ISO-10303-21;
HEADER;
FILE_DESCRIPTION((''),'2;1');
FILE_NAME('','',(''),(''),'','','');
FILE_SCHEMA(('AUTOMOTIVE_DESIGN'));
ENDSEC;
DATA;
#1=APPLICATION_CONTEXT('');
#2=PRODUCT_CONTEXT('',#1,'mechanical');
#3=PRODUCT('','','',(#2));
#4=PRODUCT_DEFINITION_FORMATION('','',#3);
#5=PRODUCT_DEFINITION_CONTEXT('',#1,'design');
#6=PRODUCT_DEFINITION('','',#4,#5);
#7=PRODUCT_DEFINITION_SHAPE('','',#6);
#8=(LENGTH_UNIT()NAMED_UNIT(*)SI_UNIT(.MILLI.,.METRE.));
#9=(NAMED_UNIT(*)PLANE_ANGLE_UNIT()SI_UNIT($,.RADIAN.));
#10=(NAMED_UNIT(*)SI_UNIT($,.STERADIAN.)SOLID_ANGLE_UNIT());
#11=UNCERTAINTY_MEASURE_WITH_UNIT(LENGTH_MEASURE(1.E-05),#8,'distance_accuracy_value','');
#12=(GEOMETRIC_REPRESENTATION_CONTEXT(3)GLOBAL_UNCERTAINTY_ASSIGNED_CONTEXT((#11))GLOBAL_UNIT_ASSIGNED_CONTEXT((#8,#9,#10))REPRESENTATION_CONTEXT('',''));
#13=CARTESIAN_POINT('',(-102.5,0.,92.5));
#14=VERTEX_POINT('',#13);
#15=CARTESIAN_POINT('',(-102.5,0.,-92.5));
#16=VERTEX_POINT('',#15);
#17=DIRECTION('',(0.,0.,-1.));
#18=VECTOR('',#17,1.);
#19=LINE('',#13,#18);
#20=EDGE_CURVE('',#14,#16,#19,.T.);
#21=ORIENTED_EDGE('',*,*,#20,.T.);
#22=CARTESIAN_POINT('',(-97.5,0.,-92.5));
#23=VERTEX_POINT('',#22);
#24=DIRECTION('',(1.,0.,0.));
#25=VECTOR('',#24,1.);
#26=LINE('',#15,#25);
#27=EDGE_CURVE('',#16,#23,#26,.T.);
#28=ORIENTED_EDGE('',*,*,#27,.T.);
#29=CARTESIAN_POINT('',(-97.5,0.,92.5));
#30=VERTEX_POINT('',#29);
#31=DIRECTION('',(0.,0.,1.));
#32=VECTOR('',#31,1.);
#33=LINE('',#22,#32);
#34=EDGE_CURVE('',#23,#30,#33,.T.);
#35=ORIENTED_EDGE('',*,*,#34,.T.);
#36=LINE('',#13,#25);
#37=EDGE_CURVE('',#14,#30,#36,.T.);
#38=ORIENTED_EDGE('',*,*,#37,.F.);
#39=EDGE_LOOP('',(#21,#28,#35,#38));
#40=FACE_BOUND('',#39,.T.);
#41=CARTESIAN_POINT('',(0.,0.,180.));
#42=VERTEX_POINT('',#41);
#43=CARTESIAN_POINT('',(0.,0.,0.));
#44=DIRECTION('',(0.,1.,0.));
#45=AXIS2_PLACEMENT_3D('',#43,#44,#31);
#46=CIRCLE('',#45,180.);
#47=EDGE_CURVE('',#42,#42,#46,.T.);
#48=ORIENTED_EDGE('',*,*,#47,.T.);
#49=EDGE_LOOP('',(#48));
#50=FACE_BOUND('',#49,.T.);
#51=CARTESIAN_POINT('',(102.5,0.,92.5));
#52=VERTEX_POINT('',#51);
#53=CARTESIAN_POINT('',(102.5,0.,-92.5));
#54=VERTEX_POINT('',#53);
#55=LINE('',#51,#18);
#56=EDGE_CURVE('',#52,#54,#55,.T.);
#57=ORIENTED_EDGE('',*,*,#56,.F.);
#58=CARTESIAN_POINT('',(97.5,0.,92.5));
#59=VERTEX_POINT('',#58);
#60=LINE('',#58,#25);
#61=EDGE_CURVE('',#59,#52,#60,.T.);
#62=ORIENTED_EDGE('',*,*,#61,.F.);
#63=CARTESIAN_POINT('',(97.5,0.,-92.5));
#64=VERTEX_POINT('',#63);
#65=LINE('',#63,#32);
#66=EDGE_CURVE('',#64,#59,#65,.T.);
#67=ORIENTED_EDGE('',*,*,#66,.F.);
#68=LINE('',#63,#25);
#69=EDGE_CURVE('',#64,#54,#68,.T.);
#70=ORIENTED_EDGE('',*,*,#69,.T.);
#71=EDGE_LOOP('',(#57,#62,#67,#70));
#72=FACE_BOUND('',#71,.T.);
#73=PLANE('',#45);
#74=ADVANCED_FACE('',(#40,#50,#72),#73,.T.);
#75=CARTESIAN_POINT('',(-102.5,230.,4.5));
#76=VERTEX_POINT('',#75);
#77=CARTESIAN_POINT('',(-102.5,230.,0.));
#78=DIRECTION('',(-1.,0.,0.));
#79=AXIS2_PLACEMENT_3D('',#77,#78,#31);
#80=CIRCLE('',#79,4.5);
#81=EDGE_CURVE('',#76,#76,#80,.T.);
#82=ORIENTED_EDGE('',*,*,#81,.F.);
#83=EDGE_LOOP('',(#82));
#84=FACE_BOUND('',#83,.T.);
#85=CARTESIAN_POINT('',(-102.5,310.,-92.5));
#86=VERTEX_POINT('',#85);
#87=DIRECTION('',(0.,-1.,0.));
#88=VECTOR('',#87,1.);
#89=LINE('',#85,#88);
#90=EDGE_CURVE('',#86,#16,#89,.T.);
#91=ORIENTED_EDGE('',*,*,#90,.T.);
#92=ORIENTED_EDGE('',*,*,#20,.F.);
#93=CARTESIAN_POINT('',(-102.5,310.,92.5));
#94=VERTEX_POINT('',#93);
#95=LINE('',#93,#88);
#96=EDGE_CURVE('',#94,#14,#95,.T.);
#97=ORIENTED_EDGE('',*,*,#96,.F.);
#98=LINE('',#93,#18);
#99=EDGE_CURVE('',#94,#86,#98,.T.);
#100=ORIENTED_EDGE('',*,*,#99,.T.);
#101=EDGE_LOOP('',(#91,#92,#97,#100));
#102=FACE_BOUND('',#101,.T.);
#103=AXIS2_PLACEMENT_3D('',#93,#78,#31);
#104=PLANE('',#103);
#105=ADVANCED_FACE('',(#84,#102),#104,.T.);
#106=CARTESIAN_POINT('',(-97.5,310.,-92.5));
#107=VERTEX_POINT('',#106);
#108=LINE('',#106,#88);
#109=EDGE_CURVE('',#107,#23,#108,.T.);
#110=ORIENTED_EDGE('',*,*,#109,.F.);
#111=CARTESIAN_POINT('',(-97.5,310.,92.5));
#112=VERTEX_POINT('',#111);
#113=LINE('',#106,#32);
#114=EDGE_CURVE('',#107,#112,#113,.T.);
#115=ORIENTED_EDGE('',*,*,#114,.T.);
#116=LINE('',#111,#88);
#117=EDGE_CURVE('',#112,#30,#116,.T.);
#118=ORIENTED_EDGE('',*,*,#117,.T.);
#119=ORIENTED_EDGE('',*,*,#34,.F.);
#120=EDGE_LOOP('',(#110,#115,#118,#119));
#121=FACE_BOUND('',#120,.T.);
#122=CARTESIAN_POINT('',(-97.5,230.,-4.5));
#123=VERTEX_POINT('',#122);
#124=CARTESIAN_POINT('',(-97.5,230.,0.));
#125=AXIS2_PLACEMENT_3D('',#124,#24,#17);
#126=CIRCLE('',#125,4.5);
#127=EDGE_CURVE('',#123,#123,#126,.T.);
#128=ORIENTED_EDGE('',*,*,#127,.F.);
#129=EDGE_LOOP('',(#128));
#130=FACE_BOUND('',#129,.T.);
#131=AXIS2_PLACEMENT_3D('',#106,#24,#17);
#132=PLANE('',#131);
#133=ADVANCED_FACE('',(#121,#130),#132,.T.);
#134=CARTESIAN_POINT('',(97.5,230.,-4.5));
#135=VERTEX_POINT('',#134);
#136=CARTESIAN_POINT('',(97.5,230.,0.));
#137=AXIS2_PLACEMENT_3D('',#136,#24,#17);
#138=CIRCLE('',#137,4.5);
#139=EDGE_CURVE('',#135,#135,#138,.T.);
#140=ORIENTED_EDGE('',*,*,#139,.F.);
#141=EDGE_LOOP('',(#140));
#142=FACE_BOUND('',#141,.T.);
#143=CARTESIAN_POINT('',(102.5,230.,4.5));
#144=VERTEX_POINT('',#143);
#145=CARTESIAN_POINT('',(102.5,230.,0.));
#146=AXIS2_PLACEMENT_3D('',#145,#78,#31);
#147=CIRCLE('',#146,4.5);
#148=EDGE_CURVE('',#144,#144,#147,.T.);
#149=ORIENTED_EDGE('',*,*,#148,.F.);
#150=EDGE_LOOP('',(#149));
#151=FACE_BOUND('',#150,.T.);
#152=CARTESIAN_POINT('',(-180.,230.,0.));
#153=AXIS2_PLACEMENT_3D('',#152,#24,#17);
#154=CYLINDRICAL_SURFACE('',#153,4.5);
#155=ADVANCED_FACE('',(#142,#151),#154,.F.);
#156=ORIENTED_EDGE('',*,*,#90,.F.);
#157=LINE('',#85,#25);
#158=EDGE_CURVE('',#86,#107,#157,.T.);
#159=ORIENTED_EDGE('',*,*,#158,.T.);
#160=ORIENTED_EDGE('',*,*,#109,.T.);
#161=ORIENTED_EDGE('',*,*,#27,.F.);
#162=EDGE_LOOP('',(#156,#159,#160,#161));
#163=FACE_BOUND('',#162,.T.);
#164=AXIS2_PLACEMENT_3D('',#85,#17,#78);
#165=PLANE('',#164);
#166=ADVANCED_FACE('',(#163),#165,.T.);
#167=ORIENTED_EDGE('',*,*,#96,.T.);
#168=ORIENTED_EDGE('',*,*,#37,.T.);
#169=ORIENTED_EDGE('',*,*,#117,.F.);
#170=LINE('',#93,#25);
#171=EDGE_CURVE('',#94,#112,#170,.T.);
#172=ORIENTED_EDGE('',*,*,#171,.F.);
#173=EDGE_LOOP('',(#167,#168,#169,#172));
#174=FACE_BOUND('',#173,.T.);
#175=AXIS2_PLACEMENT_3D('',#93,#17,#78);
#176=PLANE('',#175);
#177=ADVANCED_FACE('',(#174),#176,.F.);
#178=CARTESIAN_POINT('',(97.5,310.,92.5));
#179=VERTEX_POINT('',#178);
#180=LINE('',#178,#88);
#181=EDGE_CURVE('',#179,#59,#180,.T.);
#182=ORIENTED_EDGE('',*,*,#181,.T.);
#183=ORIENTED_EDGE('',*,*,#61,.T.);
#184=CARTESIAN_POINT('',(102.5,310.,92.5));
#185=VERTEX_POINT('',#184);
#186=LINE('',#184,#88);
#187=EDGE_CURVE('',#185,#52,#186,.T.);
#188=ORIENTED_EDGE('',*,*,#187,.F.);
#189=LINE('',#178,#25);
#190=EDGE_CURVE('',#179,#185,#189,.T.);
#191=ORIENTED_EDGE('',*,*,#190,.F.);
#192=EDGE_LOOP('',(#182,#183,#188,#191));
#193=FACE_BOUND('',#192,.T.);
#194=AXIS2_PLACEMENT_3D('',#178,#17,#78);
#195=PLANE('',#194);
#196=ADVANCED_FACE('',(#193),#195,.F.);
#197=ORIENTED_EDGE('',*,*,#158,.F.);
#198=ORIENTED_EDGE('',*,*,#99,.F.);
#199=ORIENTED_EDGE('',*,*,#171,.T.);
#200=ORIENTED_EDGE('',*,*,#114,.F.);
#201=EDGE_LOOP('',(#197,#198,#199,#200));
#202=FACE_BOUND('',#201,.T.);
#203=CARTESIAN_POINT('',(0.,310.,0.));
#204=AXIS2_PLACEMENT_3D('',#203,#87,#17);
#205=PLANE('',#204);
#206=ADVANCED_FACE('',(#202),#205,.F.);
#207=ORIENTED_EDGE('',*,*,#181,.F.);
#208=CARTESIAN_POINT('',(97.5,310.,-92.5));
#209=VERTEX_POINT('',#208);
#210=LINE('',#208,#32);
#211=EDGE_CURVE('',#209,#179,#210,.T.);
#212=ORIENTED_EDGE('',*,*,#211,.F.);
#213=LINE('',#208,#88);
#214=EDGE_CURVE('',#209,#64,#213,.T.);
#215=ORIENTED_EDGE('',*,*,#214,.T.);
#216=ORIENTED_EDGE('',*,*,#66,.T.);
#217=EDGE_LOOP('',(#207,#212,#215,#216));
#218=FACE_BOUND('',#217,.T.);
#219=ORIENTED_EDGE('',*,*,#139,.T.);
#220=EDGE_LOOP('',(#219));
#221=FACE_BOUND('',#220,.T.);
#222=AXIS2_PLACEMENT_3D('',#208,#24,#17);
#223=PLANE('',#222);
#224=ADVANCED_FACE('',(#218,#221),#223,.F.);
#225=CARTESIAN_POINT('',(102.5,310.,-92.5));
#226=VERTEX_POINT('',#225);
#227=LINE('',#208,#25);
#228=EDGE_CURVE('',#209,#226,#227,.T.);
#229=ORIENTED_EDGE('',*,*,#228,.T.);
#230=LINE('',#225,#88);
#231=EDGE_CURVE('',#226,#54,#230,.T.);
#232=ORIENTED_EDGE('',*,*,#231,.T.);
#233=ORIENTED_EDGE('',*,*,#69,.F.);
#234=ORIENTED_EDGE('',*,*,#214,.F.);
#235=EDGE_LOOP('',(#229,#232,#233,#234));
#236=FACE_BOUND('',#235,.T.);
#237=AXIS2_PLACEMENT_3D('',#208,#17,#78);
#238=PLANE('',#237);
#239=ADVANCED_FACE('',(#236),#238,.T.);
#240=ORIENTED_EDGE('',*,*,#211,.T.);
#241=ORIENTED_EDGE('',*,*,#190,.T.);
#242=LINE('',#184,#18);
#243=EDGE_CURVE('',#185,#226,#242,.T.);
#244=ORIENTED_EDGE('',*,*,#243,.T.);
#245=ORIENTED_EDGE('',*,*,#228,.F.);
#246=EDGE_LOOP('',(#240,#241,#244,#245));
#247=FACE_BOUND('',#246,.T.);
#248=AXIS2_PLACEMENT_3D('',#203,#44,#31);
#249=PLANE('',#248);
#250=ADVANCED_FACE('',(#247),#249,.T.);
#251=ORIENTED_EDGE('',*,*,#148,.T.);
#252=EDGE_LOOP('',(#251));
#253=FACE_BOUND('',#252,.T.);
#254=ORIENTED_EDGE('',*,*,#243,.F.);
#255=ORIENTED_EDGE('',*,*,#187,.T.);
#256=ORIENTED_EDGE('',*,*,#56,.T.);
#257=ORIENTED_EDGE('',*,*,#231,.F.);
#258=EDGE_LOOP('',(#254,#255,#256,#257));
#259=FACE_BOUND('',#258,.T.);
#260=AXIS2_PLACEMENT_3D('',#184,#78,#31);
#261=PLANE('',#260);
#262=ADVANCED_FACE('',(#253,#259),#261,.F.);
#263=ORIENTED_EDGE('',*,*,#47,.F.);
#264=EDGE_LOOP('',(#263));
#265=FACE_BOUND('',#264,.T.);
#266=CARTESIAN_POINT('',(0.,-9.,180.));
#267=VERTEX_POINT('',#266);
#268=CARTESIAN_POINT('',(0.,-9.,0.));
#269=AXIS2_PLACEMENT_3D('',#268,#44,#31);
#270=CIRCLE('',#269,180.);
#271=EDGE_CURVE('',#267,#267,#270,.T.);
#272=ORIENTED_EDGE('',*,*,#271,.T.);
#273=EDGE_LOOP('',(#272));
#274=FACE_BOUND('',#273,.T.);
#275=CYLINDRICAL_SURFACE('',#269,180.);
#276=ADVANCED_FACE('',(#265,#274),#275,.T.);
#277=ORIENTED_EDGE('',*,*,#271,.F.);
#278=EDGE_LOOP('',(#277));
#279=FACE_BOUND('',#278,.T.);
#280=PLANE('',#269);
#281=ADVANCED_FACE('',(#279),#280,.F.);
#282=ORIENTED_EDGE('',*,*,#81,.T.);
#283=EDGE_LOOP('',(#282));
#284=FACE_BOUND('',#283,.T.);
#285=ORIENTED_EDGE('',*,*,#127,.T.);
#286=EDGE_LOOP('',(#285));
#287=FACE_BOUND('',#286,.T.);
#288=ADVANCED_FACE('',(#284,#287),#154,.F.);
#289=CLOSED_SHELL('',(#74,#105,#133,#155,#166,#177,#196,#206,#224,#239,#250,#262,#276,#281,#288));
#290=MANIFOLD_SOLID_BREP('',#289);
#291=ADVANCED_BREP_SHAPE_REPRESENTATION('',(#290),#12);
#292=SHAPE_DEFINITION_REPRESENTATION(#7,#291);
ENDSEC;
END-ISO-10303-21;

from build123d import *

# Parameters (mm, degrees)
SKETCH2_R               = 180
BOSS_EXTRUDE1_DEPTH     = 9
SKETCH3_W               = 5
SKETCH3_H               = 185
BOSS_EXTRUDE2_DEPTH     = 310
SKETCH7_R               = 4.5
CUT_EXTRUDE2_DEPTH      = 181
CUT_EXTRUDE2_DEPTH_BACK = 181


with BuildPart() as part:
    # Sketch2 → Boss-Extrude1 (new body)
    with BuildSketch(Plane(origin=(0, 0, 0), x_dir=(1, 0, 0), z_dir=(0, 1, 0))):
        Circle(SKETCH2_R)
    extrude(amount=-BOSS_EXTRUDE1_DEPTH)

    # Sketch3 → Boss-Extrude2 (add)
    with BuildSketch(Plane(origin=(0, 0, 0), x_dir=(1, 0, 0), z_dir=(0, 1, 0))):
        with Locations((-100, 0)):
            Rectangle(SKETCH3_W, SKETCH3_H)
        with Locations((100, 0)):
            Rectangle(SKETCH3_W, SKETCH3_H)
    extrude(amount=BOSS_EXTRUDE2_DEPTH)

    # Sketch7 → Cut-Extrude2 (cut, two sides)
    with BuildSketch(Plane(origin=(0, 0, 0), x_dir=(0, 0, -1), z_dir=(1, 0, 0))) as cut_extrude2_sk:
        with Locations((0, 230)):
            Circle(SKETCH7_R)
    extrude(amount=CUT_EXTRUDE2_DEPTH, mode=Mode.SUBTRACT)
    extrude(cut_extrude2_sk.sketch, amount=-CUT_EXTRUDE2_DEPTH_BACK, mode=Mode.SUBTRACT)


solid = part.part
